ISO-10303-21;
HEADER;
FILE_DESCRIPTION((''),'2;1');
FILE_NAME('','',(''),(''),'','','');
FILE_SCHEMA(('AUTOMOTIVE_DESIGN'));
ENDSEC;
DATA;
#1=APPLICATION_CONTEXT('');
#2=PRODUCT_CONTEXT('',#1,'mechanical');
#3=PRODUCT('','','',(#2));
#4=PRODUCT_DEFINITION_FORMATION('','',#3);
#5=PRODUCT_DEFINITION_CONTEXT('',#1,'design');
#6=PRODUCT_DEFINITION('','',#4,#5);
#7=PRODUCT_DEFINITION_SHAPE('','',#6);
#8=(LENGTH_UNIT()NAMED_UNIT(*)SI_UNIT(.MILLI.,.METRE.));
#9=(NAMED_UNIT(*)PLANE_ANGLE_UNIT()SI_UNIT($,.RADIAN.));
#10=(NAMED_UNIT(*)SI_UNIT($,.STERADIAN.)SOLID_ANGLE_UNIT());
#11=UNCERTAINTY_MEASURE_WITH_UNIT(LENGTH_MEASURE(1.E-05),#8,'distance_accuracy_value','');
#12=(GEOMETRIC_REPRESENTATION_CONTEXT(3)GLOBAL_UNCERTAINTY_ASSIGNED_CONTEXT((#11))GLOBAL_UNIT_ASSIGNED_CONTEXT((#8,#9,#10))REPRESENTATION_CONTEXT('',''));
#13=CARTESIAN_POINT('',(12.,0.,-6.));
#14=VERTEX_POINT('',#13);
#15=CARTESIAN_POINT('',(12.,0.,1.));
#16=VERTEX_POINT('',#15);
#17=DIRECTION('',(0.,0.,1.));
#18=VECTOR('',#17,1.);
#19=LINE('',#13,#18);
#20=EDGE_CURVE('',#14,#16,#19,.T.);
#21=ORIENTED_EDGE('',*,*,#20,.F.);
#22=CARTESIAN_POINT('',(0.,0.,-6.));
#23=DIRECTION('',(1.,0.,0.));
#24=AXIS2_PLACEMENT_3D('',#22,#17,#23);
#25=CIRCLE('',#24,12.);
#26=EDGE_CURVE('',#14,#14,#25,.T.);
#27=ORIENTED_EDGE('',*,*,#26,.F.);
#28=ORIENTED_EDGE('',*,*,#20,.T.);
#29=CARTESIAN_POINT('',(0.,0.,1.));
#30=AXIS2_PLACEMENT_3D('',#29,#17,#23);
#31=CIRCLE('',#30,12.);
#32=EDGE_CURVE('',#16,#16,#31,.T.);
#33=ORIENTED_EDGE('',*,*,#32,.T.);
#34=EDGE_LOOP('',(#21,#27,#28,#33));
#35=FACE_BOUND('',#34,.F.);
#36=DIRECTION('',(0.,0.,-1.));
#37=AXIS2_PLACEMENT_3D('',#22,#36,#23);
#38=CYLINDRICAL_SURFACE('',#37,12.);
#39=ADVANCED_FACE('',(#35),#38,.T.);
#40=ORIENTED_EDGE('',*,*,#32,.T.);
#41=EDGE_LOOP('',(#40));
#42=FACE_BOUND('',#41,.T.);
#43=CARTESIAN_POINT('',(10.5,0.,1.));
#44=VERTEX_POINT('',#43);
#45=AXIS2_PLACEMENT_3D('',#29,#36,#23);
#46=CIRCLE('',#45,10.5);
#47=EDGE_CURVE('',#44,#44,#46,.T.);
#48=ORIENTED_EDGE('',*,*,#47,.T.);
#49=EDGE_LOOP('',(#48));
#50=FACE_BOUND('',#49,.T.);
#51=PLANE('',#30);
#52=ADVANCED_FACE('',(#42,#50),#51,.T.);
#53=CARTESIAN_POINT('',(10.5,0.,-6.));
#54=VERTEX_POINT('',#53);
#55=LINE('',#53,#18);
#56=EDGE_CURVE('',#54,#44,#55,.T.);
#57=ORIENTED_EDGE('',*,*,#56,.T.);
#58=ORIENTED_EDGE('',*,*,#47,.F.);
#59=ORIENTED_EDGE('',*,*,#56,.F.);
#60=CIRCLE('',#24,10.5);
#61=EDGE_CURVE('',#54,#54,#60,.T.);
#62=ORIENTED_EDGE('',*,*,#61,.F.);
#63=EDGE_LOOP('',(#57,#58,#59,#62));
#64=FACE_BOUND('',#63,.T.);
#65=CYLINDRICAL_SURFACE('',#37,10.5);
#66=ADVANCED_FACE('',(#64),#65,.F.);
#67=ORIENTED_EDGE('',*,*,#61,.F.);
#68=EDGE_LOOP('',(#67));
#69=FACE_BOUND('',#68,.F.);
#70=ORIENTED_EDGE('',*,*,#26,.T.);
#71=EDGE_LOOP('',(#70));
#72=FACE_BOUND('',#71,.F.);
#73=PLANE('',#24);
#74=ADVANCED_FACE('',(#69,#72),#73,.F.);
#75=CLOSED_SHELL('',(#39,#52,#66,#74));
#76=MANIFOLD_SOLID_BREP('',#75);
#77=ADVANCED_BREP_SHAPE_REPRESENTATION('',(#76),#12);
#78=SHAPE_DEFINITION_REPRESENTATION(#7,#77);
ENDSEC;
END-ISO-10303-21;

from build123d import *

# Parameters (mm, degrees)
CYLINDER026_R     = 10.5
CYLINDER026_DEPTH = 13
CYLINDER025_R     = 12
CYLINDER025_DEPTH = 7


with BuildPart() as cylinder026:
    # Cylinder026 → Cylinder026 (new body)
    with BuildSketch(Plane.XY.offset(-6)):
        Circle(CYLINDER026_R)
    extrude(amount=CYLINDER026_DEPTH)


with BuildPart() as cut094:
    # Cylinder025 → Cylinder025 (new body)
    with BuildSketch(Plane.XY.offset(-6)):
        Circle(CYLINDER025_R)
    extrude(amount=CYLINDER025_DEPTH)

    # Cut094: cut Cylinder026
    add(cylinder026.part, mode=Mode.SUBTRACT)


solid = cut094.part
